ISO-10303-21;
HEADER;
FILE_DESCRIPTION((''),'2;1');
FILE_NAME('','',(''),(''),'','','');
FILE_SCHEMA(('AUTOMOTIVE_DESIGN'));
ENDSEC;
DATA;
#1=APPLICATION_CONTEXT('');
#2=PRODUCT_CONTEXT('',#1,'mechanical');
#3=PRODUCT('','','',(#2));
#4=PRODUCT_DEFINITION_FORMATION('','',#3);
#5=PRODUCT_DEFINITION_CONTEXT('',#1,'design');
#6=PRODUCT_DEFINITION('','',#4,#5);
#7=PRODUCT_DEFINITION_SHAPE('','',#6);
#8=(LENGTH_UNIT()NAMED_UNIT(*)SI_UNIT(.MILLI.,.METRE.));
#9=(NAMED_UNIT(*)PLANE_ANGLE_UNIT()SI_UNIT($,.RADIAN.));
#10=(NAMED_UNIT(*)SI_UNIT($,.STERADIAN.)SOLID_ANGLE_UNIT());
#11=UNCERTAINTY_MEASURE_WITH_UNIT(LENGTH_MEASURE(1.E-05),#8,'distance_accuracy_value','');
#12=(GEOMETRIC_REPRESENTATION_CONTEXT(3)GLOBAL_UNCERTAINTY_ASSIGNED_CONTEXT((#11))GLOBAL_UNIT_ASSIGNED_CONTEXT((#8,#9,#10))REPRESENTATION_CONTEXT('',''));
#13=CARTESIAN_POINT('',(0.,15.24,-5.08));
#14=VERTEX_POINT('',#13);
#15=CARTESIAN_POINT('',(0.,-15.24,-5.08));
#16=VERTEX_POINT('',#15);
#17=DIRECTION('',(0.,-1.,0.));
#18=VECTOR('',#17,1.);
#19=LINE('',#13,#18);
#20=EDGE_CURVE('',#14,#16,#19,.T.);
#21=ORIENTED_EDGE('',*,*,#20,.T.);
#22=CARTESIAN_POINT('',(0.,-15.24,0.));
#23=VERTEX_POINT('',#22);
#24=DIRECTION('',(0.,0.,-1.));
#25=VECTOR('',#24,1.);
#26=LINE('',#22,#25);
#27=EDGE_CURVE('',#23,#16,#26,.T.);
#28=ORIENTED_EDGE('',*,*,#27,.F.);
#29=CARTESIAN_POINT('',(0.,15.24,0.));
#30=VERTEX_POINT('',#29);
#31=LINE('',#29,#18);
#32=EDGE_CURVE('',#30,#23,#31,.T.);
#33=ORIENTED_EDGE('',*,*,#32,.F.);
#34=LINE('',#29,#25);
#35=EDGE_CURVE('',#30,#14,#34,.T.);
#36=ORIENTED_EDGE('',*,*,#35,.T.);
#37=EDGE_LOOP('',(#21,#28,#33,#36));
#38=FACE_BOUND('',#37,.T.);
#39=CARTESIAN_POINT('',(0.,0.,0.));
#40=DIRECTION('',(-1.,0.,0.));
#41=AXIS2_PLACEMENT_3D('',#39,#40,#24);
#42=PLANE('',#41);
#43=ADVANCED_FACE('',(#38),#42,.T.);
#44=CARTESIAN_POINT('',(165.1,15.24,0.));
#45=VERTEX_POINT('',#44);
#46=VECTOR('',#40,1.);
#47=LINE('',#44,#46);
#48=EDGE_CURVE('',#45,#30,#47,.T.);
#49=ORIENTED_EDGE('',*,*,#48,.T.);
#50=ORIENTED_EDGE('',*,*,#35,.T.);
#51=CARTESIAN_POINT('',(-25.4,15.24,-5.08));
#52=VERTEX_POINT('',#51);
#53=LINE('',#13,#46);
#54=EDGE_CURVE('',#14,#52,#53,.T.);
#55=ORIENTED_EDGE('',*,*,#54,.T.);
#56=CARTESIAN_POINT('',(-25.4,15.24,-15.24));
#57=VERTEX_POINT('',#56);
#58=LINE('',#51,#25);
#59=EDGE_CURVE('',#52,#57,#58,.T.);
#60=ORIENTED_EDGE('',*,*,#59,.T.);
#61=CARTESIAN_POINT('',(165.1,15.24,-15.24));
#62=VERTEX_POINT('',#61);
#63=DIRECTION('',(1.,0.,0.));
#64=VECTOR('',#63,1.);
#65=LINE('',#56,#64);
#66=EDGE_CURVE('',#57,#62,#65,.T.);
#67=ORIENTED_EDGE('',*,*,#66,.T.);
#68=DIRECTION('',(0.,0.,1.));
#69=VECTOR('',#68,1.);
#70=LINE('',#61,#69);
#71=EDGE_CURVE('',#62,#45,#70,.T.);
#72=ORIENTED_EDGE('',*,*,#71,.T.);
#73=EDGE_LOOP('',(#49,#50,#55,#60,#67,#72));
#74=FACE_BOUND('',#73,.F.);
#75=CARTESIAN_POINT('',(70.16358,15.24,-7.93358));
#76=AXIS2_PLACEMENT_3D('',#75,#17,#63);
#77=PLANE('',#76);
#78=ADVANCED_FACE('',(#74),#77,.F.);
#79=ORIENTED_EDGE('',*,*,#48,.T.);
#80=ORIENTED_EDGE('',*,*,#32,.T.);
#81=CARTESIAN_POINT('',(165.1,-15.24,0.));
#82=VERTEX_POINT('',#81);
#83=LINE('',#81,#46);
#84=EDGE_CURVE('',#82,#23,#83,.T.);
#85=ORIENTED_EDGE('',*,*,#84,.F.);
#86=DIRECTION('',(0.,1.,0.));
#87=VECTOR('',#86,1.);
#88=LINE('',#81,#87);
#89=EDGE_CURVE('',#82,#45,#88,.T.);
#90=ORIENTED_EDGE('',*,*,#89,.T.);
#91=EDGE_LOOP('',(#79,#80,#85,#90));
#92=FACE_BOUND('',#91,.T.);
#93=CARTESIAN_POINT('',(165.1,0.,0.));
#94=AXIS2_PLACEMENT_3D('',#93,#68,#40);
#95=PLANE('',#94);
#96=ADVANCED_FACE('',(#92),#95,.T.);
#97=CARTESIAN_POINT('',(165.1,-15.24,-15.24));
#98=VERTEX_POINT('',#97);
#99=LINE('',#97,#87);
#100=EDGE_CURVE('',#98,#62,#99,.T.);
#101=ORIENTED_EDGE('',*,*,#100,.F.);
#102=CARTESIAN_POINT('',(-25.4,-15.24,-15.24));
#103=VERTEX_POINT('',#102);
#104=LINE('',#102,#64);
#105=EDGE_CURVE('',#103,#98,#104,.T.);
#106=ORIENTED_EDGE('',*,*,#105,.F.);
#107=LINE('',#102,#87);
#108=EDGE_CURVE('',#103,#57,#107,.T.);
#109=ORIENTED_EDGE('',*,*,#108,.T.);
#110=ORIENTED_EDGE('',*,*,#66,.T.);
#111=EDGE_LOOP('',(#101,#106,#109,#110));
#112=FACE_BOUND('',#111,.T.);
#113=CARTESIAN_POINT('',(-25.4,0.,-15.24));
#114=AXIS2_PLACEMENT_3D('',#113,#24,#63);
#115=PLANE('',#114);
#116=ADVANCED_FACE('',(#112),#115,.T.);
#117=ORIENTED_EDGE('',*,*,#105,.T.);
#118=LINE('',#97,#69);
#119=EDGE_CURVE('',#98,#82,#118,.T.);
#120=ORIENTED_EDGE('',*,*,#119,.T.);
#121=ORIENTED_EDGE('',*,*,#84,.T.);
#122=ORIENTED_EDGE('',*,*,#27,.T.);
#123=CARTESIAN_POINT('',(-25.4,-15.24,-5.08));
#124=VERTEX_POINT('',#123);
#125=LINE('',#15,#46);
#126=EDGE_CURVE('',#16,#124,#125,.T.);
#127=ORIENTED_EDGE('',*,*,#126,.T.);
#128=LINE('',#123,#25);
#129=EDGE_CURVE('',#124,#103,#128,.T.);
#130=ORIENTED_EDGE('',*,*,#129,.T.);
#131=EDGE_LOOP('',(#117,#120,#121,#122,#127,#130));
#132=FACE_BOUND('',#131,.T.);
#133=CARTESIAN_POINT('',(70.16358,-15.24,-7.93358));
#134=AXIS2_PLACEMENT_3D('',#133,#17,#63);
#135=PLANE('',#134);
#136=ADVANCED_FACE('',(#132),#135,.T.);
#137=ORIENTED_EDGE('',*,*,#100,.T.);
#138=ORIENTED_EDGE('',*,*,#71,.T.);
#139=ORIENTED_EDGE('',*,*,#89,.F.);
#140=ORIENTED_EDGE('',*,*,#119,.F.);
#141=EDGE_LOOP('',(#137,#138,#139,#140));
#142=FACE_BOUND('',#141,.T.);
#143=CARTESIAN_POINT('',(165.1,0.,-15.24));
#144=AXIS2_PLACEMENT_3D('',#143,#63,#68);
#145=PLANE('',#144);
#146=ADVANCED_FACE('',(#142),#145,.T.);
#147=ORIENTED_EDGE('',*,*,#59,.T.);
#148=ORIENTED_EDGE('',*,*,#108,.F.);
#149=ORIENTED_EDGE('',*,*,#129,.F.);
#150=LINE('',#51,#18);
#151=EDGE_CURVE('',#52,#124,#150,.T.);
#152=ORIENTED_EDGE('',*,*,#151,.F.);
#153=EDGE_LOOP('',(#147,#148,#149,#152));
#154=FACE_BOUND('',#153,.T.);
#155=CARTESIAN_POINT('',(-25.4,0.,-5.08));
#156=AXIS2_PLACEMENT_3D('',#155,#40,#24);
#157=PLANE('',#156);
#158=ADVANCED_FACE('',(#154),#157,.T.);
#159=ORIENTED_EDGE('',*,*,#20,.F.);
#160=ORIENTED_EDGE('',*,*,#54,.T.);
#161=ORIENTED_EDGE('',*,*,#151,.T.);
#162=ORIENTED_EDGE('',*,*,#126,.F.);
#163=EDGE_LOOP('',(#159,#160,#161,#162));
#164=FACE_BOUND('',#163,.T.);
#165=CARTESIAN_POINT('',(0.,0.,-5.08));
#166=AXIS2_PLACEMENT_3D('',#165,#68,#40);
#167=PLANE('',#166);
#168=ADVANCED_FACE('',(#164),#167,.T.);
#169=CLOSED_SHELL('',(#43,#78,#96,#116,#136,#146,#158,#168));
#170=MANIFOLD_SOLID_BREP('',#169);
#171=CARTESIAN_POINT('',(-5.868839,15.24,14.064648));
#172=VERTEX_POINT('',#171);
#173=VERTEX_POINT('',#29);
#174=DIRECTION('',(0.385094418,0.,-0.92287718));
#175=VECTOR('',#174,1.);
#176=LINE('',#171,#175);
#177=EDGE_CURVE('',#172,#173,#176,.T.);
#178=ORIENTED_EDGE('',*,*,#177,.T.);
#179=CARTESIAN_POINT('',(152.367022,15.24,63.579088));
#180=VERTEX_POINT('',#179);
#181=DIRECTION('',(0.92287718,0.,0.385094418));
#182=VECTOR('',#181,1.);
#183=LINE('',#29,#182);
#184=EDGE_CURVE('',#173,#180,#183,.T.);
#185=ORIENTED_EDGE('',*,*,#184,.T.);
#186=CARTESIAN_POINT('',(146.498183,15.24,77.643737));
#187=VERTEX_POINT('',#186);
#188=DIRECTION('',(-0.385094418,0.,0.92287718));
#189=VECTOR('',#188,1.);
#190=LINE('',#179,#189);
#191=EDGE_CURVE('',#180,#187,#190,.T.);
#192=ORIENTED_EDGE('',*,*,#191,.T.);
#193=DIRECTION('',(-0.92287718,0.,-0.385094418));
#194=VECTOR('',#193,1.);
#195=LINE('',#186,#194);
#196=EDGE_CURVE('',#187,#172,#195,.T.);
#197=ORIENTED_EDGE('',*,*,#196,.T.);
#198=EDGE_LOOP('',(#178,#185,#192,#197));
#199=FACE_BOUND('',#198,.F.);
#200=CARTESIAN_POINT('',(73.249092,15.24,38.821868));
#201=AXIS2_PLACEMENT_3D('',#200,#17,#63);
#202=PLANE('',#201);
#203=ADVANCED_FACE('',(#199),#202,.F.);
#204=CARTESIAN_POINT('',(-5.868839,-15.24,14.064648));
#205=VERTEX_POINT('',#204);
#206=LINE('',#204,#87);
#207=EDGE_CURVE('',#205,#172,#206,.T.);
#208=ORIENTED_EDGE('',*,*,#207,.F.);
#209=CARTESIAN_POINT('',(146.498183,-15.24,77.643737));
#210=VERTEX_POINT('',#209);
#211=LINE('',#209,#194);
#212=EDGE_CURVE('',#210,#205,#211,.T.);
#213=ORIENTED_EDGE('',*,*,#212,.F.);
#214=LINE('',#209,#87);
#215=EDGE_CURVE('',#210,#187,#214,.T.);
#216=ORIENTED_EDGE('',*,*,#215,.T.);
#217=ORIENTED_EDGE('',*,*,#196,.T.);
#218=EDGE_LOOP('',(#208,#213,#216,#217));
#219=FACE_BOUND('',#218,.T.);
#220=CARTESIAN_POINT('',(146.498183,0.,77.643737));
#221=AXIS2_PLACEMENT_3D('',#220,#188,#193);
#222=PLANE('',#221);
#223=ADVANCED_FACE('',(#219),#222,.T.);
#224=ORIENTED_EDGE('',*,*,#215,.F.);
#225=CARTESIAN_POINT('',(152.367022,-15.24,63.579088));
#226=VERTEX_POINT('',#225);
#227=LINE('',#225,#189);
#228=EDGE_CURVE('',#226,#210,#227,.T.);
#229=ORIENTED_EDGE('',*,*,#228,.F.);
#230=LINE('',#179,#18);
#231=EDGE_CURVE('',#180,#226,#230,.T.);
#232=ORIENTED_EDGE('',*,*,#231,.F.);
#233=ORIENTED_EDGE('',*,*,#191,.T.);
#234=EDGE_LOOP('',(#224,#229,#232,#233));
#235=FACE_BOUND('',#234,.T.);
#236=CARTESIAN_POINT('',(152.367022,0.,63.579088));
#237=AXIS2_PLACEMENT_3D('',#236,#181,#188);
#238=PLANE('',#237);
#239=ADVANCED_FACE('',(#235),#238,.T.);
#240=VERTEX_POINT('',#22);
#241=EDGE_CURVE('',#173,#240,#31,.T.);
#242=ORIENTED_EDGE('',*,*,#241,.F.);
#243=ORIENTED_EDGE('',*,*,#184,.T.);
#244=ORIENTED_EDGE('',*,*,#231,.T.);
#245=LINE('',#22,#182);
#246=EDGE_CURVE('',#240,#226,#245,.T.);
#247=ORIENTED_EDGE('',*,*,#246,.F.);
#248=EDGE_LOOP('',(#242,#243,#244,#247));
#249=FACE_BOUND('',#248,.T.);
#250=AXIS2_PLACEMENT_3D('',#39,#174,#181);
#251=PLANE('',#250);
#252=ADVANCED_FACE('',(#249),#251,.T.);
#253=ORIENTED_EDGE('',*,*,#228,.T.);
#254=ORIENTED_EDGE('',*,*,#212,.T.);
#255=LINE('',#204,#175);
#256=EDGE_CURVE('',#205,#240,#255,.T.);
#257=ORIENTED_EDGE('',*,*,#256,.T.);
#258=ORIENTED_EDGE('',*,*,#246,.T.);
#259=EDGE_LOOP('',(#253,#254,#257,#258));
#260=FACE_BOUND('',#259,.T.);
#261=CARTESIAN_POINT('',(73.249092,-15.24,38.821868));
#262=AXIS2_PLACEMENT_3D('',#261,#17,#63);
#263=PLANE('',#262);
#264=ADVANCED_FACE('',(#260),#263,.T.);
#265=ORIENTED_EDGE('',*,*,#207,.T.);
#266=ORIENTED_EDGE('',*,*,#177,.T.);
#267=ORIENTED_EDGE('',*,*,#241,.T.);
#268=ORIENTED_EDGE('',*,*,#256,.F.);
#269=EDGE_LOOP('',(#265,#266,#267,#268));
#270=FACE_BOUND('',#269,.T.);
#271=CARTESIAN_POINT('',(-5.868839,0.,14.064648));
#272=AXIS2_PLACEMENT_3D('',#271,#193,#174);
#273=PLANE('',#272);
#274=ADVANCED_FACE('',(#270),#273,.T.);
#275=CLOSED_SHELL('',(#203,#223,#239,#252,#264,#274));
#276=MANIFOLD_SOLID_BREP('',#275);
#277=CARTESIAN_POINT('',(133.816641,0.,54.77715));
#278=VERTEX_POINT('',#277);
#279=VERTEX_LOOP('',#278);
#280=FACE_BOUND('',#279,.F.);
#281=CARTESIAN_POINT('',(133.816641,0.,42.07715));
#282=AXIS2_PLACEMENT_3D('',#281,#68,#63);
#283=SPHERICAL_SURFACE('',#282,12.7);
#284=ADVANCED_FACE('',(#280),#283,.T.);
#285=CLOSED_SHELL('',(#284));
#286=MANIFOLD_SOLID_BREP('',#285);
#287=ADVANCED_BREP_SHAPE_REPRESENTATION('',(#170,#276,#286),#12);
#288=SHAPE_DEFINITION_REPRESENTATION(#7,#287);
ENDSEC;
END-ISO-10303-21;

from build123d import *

# Parameters (mm, degrees)
F1_DEPTH = 15.24
F2_DEPTH = 15.24


with BuildPart() as f1:
    # F0 (on Front) → F1 (new body, symmetric)
    with BuildSketch(Plane.XZ):
        Polygon((165.1, 0), (0, 0), (0, -5.08), (-25.4, -5.08), (-25.4, -15.24), (165.1, -15.24), align=None)
    extrude(amount=F1_DEPTH, both=True)


with BuildPart() as f2:
    # F0 (on Front) → F2 (new body, symmetric)
    with BuildSketch(Plane.XZ):
        Polygon((-5.8688389302, 14.0646482221), (0, 0), (152.3670224062, 63.5790884102), (146.498183476, 77.6437366323), align=None)
    extrude(amount=F2_DEPTH, both=True)

    # F0 (on Front) → F3 (revolve)
    with BuildSketch(Plane.XZ):
        with BuildLine():
            Line((133.8166411445, 54.7771500081), (133.8166411445, 29.3771500081))
            ThreePointArc((133.8166411445, 29.3771500081), (146.5166411445, 42.0771500081), (133.8166411445, 54.7771500081))
        make_face()
    revolve(axis=Axis((133.8166411445, 0, 42.0771500081), (0, 0, -1)))


solid = Compound([f1.part, f2.part])
